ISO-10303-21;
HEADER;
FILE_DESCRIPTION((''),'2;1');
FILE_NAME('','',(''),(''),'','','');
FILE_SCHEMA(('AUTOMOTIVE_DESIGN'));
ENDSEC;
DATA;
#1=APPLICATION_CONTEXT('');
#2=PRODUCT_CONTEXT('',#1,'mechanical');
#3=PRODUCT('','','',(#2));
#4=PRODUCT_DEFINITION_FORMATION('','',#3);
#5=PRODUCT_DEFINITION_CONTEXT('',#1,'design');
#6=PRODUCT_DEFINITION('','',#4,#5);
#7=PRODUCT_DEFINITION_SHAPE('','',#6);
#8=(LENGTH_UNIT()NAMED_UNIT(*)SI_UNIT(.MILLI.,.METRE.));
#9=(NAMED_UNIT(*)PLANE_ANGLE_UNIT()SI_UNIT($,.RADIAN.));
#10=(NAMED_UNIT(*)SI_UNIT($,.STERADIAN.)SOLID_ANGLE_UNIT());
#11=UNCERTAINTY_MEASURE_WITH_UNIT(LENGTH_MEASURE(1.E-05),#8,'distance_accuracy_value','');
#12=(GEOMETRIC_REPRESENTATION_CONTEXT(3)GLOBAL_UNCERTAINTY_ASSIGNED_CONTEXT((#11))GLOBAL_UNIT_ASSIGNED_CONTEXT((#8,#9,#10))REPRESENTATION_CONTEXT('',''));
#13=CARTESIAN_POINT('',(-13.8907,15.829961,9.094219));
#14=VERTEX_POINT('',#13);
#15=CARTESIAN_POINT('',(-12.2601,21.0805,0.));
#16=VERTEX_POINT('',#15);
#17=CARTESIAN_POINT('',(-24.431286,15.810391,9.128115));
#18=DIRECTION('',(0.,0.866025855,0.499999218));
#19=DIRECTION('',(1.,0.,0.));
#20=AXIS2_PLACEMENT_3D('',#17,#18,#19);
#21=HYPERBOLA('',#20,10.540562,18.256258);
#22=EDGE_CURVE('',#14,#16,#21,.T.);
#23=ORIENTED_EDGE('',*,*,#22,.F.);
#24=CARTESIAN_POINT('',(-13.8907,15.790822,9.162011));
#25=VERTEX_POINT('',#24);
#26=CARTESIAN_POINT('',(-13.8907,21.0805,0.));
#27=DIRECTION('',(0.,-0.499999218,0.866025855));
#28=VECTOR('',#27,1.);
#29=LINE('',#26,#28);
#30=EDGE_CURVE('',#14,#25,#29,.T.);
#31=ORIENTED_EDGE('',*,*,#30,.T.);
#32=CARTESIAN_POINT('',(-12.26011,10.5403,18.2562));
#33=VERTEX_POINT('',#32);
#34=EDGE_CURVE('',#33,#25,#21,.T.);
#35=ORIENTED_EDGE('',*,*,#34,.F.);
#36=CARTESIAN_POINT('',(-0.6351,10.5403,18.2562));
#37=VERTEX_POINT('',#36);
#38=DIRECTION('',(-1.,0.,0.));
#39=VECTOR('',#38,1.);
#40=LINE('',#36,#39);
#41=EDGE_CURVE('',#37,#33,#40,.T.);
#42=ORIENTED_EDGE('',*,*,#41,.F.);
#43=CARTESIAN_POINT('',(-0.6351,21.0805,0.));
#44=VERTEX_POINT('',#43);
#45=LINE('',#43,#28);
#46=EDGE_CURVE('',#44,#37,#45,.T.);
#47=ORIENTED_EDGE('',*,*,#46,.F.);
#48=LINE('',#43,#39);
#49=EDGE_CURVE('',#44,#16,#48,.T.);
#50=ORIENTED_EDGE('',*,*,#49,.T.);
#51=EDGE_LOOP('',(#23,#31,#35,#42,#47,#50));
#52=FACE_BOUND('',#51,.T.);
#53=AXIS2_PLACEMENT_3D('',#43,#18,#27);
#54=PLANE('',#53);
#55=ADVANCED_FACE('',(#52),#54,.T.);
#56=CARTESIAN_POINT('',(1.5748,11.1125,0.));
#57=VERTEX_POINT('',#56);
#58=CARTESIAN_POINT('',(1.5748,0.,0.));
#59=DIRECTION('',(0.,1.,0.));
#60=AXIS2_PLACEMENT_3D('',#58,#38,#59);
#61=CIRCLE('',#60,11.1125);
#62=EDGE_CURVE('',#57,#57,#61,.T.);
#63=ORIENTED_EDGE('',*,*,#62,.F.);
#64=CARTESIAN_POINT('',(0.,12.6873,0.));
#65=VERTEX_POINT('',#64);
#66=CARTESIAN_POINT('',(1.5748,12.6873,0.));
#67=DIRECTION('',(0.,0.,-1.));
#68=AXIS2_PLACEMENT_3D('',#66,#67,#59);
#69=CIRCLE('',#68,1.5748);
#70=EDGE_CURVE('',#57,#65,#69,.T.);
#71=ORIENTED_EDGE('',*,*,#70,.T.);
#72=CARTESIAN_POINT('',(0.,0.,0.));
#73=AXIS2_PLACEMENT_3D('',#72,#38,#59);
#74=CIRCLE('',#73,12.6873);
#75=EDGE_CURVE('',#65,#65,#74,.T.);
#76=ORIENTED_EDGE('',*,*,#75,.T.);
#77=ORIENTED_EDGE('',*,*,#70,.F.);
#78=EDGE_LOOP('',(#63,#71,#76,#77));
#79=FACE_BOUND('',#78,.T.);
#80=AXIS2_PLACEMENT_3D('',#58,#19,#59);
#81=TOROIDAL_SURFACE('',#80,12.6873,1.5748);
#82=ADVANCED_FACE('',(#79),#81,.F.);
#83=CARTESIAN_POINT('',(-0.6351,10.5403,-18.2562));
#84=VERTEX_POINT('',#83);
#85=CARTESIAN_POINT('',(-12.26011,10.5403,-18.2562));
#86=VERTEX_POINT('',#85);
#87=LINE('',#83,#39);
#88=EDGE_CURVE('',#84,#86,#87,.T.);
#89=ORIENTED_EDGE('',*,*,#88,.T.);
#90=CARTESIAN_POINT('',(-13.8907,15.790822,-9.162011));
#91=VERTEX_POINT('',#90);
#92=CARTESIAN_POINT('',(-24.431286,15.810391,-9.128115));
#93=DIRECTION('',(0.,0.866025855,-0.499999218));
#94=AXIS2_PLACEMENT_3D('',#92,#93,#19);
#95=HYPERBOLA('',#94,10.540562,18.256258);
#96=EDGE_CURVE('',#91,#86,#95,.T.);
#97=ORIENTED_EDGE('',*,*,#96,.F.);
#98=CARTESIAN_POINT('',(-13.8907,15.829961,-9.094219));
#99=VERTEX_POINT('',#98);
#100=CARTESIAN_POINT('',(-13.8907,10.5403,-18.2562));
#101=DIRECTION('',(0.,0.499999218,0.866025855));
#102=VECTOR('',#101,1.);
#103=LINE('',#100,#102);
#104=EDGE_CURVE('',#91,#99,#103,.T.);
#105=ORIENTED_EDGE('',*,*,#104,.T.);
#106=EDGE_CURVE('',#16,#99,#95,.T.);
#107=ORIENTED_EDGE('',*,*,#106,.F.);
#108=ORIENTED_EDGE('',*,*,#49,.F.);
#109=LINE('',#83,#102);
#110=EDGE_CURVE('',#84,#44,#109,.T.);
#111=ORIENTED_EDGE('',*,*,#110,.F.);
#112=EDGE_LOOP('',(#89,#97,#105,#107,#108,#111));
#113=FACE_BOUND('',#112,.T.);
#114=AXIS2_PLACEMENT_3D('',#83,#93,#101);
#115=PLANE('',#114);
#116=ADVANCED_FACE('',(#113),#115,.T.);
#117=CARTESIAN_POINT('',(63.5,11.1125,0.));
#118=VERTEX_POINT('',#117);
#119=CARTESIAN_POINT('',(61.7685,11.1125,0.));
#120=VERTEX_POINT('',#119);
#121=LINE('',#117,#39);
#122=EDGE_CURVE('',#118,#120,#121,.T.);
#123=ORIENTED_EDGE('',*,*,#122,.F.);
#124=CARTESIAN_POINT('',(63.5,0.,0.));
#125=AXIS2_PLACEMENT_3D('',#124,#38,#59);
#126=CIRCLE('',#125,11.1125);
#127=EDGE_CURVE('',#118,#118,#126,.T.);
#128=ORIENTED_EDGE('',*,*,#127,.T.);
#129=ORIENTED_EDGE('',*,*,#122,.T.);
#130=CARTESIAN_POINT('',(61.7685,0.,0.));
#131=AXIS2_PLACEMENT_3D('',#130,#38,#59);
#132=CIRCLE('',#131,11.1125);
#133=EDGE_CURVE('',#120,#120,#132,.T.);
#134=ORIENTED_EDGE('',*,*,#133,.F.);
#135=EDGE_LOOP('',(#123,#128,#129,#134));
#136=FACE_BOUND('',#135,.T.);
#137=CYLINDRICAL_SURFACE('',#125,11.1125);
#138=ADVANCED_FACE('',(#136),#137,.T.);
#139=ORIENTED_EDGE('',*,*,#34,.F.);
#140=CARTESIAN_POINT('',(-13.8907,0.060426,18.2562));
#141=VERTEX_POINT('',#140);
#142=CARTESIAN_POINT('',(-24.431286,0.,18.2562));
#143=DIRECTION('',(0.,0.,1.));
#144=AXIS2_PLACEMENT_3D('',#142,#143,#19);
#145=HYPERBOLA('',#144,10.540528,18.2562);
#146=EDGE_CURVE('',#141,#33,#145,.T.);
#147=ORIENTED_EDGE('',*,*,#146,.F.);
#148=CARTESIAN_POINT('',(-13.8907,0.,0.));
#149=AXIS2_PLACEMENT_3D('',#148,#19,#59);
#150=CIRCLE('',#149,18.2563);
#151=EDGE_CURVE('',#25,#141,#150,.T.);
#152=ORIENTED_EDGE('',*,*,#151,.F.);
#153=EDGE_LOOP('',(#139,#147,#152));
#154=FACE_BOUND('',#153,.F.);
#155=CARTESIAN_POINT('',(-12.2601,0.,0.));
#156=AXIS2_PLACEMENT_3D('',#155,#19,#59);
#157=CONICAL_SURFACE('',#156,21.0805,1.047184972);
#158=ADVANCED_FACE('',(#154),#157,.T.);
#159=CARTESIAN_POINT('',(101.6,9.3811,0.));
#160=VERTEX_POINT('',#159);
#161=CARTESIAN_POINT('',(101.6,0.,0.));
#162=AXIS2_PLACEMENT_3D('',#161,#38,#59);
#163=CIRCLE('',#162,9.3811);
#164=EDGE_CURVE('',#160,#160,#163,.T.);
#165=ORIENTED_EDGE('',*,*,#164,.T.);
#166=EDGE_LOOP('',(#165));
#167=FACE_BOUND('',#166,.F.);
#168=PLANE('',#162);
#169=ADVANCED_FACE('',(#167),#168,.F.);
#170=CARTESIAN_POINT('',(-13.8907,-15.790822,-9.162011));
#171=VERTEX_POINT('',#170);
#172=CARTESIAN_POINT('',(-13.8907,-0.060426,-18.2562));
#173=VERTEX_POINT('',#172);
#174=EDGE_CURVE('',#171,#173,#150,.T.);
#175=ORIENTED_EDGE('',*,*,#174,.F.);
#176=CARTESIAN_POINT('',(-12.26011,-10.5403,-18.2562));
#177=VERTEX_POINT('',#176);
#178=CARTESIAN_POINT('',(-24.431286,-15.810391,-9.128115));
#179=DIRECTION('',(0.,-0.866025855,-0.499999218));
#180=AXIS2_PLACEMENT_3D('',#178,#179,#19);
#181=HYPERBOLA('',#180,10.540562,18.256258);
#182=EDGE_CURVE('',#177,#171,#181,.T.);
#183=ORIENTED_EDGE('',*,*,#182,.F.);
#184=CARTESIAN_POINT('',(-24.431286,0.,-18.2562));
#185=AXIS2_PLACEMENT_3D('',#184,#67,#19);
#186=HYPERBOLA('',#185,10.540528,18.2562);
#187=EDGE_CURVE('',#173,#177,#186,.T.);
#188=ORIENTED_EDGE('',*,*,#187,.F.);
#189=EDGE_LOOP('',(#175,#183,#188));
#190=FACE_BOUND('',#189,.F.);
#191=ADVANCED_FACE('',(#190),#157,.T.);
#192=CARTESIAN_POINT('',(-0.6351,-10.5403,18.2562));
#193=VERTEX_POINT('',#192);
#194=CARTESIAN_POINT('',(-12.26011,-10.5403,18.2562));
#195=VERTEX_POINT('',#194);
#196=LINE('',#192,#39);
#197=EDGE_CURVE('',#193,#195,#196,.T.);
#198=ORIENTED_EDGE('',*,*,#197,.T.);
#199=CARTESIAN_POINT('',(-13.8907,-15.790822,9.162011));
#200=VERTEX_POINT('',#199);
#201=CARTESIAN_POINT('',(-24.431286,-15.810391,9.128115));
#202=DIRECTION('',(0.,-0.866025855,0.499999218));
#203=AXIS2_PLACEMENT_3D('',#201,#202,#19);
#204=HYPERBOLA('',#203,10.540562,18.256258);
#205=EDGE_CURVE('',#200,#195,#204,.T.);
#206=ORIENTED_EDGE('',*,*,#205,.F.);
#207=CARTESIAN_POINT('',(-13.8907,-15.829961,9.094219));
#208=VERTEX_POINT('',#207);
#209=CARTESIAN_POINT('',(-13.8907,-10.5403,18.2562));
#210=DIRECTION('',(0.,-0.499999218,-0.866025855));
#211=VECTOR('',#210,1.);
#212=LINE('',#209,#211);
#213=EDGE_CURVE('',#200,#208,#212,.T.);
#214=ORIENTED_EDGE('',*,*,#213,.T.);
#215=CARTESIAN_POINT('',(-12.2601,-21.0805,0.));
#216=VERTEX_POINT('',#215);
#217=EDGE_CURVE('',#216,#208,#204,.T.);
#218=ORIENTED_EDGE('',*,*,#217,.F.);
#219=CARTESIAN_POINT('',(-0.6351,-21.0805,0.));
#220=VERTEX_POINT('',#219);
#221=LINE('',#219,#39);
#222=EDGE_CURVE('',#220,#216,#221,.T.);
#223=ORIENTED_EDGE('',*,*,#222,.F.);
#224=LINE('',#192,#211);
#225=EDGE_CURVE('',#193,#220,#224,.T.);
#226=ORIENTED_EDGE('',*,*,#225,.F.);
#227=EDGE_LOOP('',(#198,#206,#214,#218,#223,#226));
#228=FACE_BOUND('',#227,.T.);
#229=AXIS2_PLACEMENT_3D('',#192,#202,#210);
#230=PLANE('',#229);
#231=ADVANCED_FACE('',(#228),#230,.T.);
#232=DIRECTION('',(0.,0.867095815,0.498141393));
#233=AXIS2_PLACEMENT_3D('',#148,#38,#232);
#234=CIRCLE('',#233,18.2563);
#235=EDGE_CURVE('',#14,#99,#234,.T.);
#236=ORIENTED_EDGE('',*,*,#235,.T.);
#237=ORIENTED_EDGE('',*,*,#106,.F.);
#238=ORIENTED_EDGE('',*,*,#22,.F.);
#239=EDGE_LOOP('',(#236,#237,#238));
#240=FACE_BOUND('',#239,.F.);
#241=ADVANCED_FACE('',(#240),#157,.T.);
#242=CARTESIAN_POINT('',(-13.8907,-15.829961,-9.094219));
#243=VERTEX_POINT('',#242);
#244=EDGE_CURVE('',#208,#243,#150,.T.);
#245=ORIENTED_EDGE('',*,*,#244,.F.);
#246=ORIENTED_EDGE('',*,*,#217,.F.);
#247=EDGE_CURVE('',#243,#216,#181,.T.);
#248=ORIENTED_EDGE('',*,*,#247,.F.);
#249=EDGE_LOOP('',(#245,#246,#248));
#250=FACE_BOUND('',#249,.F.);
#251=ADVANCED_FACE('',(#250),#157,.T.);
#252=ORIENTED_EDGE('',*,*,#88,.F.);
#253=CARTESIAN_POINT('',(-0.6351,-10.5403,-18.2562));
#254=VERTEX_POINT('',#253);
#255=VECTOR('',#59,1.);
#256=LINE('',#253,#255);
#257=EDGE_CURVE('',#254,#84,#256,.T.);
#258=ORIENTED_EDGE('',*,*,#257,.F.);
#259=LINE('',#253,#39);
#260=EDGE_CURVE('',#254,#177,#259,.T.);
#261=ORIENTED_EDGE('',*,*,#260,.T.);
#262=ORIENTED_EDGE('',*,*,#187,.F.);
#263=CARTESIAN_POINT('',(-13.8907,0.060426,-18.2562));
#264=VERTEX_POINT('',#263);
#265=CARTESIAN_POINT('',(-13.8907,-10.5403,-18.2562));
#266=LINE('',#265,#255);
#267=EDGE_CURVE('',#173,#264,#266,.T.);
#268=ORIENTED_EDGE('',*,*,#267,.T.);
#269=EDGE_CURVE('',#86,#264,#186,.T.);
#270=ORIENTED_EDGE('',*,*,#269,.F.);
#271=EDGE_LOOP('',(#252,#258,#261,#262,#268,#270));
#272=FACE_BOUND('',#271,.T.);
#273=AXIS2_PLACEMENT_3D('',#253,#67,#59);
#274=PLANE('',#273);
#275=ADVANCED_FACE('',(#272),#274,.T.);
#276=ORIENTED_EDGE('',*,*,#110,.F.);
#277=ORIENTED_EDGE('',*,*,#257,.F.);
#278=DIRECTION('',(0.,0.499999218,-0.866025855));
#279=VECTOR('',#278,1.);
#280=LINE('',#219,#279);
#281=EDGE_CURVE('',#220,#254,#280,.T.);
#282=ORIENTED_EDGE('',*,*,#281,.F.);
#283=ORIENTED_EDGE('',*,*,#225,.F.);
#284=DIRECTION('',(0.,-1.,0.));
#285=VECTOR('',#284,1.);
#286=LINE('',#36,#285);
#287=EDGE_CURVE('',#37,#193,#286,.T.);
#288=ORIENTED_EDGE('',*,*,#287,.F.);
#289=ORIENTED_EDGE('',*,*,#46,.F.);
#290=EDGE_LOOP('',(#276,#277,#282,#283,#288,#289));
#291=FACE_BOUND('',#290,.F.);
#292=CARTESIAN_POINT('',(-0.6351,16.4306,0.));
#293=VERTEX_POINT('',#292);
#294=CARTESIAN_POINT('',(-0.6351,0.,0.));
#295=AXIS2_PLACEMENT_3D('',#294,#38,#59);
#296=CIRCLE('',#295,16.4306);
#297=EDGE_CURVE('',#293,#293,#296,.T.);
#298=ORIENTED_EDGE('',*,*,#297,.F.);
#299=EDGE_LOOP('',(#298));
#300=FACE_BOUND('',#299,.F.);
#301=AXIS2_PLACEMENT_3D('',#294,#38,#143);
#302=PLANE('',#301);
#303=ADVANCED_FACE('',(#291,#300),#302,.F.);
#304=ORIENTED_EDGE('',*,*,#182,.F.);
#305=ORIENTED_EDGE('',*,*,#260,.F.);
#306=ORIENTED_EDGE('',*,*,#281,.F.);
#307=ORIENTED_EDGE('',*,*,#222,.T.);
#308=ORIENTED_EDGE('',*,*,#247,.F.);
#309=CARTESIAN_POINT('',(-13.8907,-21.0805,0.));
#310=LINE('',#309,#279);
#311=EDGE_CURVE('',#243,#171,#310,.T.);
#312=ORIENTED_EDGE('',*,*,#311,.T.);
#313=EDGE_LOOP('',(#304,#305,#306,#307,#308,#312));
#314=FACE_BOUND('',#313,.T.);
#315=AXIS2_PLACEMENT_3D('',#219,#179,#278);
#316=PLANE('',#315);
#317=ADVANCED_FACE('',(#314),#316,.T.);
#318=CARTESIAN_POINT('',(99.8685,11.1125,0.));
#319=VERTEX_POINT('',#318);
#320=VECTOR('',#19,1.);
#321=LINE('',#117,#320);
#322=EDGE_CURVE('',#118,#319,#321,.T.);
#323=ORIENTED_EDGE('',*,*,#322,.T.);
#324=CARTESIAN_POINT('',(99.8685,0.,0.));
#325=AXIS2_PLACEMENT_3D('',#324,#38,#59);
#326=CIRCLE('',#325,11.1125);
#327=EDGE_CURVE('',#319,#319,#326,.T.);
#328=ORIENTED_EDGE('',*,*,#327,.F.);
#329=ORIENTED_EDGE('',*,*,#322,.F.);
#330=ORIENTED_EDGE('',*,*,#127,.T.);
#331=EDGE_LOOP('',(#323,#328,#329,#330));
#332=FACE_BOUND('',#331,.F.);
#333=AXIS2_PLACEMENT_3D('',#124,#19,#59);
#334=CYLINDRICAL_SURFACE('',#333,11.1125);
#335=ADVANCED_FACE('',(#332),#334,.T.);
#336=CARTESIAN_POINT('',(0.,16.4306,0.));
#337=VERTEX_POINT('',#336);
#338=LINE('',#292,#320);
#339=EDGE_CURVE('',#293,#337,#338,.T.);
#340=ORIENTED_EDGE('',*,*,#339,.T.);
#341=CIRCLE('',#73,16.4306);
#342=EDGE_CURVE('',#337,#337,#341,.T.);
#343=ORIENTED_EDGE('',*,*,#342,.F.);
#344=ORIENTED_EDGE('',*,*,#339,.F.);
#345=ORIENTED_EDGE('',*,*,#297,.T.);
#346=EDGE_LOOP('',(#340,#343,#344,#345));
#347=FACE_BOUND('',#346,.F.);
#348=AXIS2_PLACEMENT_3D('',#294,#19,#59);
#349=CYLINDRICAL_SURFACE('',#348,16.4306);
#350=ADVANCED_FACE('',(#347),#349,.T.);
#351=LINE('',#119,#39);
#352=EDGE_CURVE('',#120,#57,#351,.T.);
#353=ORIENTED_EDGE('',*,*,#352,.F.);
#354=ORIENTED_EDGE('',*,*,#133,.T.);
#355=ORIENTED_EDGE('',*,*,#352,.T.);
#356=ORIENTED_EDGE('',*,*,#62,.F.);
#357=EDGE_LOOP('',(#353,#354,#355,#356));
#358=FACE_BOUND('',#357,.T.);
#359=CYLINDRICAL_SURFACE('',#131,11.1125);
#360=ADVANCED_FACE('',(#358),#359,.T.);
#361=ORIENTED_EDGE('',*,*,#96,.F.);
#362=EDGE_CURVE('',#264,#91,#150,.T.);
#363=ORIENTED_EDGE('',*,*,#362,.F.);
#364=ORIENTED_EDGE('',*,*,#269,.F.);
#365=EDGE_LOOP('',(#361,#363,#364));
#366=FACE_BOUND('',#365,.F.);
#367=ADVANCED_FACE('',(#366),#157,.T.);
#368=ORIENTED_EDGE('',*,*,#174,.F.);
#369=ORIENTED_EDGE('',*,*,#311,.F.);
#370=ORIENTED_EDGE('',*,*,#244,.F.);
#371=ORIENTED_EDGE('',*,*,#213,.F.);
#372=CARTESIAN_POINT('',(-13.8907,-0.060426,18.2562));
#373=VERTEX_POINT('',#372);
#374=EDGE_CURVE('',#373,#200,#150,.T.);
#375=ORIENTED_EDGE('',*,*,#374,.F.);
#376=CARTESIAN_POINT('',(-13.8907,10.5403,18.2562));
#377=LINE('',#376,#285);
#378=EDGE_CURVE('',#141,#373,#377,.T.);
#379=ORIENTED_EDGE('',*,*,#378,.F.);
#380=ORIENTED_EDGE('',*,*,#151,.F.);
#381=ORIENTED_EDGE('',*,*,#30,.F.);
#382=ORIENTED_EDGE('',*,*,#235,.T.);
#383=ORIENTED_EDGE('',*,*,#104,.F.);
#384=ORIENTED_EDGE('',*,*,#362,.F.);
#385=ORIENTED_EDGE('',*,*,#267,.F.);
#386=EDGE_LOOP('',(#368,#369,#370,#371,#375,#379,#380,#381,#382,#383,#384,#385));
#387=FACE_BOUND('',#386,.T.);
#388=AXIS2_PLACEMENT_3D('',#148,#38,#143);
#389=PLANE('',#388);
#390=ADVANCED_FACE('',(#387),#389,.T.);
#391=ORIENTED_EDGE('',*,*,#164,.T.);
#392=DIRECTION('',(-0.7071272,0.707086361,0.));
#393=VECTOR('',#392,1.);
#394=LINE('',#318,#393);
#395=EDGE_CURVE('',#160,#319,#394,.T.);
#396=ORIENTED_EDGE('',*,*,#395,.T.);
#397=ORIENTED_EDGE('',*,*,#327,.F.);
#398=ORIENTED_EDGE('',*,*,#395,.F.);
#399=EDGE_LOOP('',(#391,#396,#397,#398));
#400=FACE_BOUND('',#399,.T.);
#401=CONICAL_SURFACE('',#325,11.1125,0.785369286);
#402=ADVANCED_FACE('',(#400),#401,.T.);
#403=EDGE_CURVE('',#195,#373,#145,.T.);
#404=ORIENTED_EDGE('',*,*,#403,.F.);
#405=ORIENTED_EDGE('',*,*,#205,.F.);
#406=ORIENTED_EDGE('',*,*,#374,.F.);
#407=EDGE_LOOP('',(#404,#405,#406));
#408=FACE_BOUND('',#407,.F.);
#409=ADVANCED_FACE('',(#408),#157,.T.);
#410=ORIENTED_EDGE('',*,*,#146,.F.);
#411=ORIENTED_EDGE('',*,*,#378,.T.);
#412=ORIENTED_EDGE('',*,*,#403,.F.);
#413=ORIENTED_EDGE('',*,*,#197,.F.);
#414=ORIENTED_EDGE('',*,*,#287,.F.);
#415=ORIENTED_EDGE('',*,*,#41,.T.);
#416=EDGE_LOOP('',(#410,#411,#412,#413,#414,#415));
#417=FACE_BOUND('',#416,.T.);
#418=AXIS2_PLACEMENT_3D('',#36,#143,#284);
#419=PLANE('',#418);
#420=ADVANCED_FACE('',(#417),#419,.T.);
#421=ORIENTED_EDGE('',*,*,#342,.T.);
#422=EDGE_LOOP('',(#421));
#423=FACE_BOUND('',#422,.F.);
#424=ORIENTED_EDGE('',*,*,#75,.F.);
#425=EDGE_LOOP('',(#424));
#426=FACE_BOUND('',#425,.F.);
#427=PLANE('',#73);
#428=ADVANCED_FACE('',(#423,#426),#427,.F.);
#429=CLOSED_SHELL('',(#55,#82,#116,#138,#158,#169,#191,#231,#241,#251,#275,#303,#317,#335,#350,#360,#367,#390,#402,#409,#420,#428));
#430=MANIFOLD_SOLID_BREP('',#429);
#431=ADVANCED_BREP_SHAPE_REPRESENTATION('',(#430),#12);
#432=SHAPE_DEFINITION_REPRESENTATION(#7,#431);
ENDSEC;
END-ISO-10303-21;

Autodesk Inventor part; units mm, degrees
ref_plane "YZ Plane" through (0, 0, 0) normal (1, 0, 0) x (0, 1, 0)
ref_plane "XZ Plane" through (0, 0, 0) normal (0, 1, 0) x (-1, 0, 0)
sketch "Sketch1" plane through (0, 0, 0) normal (0, 0, 1) x (1, 0, 0)
  line L0 (0, 16.4306) -> (0, 11.1125)
  line L1 (63.5, 11.1125) -> (101.6, 11.1125)
  line L2 (101.6, 11.1125) -> (101.6, 0)
  line L3 (101.6, 0) -> (-0.6351, 0)
  line L4 (-21.0821, 0) -> (122.047, 0) projected
  line L5 (-0.6351, 0) -> (-0.6351, 16.4306)
  line L6 (-0.6351, 16.4306) -> (0, 16.4306)
  line L7 (63.5, 11.1125) -> (61.7685, 11.1125)
  line L8 (61.7685, 11.1125) -> (0, 11.1125)
  line L9 (0, -3.2861) -> (0, 19.7168) projected
  dimension "d0" = 101.6
  dimension "d1" = 38.1
  dimension "d2" = 22.225
  dimension "d9" = 0.6351
  dimension "d10" = 32.8612
  dimension "d13" = 1.7315
  dimension "d14" = 22.225
revolve "Body" add sketch "Sketch1" angle 360 about axis through (101.6, 0, 0) along (-1, 0, 0)
sketch "Sketch2" plane through (-0.6351, 0, 0) normal (-1, 0, 0) x (0, 0, 1)
  line L0 (0, 21.0805) -> (18.2562, 10.5403)
  line L1 (18.2562, 10.5403) -> (18.2562, -10.5403)
  line L2 (18.2562, -10.5403) -> (0, -21.0805)
  line L3 (0, -21.0805) -> (-18.2562, -10.5403)
  line L4 (-18.2562, -10.5403) -> (-18.2562, 10.5403)
  line L5 (-18.2562, 10.5403) -> (0, 21.0805)
  point P0 (0, 0)
  point P1 (0, 0)
  dimension "d11" = 36.5125
extrude "Head" add sketch "Sketch2" along normal blind 13.2556
sketch "Sketch4" plane through (0, 0, 0) normal (0, 0, 1) x (1, 0, 0)
  line L0 (-13.8907, 18.2563) -> (-13.8907, 21.0805)
  line L1 (-13.8907, 21.0805) -> (-12.2601, 21.0805)
  line L2 (-12.2601, 21.0805) -> (-13.8907, 18.2563)
  line L3 (-16.5419, 0) -> (2.016, 0) projected
  line L4 (-0.6351, 21.0805) -> (-13.8907, 21.0805) projected
  line L5 (-13.8907, 10.5403) -> (-13.8907, 21.0805) projected
  dimension "d5" = 30
  dimension "d19" = 36.5125
revolve "Chamfer1" cut sketch "Sketch4" angle 360 about axis through (-10, 0, 0) along (1, 0, 0)
thread "Thread" size "7/8-9 UNC" class "2A" standard "ANSI Unified Screw Threads" length 38.1
chamfer "Chamfer2" distance 1.7314 distance2 1.7315 1 edges at (101.6, -11.1125, 0) measured on face at (101.6, -3.0893, -3.2913)
ref_plane "Work Plane1" through (1.525, 0, 0) normal (0, 0, 1) x (1, 0, 0)
fillet "Fillet2" radius 1.5748 1 edges at (0, -11.1125, 0)
equation "\"d0\" = NLG"
equation "\"d1\" = GEL"
equation "\"d2\" = GD"
equation "\"d10\" = SD2"
equation "\"d14\" = BDM"
equation "\"d11\" = SW"
equation "\"d3\" = KOH - SD"
equation "\"d5\" = ANG1"
equation "\"d19\" = SW0"
equation "\"d63\" = R"
equation "\"d15\" = GEL"
equation "\"d6\" = -0.5 * SPD + 0.5 * GD"
equation "\"NLG\" = 101.6"
equation "\"GD\" = NND"
equation "\"BDM\" = 22.225"
equation "\"KOH\" = 13.89062"
equation "\"GEL\" = 38.1"
equation "\"SW\" = 36.5125"
equation "\"SW0\" = SW"
equation "\"SPD\" = GD1"
equation "\"SD2\" = 0.9 * SW"
equation "\"SD\" = 0.635"
equation "\"ANG1\" = 30deg"
equation "\"GAL\" = GUL"
equation "\"GUL\" = 1.73139"
equation "\"R\" = 1.5748"
equation "\"d62\" = -NLG - SD + GUL"
equation "\"GD1\" = 18.76222"
equation "\"THREADDIA\" = 22.225"
equation "\"TOA\" = 30deg"
equation "\"NND\" = 22.225"
equation "\"E0\" = 1.155 * SW"
properties part number "ANSI B18.2.6 - 7/8-9 UNC - 4" material "Steel, Mild"
